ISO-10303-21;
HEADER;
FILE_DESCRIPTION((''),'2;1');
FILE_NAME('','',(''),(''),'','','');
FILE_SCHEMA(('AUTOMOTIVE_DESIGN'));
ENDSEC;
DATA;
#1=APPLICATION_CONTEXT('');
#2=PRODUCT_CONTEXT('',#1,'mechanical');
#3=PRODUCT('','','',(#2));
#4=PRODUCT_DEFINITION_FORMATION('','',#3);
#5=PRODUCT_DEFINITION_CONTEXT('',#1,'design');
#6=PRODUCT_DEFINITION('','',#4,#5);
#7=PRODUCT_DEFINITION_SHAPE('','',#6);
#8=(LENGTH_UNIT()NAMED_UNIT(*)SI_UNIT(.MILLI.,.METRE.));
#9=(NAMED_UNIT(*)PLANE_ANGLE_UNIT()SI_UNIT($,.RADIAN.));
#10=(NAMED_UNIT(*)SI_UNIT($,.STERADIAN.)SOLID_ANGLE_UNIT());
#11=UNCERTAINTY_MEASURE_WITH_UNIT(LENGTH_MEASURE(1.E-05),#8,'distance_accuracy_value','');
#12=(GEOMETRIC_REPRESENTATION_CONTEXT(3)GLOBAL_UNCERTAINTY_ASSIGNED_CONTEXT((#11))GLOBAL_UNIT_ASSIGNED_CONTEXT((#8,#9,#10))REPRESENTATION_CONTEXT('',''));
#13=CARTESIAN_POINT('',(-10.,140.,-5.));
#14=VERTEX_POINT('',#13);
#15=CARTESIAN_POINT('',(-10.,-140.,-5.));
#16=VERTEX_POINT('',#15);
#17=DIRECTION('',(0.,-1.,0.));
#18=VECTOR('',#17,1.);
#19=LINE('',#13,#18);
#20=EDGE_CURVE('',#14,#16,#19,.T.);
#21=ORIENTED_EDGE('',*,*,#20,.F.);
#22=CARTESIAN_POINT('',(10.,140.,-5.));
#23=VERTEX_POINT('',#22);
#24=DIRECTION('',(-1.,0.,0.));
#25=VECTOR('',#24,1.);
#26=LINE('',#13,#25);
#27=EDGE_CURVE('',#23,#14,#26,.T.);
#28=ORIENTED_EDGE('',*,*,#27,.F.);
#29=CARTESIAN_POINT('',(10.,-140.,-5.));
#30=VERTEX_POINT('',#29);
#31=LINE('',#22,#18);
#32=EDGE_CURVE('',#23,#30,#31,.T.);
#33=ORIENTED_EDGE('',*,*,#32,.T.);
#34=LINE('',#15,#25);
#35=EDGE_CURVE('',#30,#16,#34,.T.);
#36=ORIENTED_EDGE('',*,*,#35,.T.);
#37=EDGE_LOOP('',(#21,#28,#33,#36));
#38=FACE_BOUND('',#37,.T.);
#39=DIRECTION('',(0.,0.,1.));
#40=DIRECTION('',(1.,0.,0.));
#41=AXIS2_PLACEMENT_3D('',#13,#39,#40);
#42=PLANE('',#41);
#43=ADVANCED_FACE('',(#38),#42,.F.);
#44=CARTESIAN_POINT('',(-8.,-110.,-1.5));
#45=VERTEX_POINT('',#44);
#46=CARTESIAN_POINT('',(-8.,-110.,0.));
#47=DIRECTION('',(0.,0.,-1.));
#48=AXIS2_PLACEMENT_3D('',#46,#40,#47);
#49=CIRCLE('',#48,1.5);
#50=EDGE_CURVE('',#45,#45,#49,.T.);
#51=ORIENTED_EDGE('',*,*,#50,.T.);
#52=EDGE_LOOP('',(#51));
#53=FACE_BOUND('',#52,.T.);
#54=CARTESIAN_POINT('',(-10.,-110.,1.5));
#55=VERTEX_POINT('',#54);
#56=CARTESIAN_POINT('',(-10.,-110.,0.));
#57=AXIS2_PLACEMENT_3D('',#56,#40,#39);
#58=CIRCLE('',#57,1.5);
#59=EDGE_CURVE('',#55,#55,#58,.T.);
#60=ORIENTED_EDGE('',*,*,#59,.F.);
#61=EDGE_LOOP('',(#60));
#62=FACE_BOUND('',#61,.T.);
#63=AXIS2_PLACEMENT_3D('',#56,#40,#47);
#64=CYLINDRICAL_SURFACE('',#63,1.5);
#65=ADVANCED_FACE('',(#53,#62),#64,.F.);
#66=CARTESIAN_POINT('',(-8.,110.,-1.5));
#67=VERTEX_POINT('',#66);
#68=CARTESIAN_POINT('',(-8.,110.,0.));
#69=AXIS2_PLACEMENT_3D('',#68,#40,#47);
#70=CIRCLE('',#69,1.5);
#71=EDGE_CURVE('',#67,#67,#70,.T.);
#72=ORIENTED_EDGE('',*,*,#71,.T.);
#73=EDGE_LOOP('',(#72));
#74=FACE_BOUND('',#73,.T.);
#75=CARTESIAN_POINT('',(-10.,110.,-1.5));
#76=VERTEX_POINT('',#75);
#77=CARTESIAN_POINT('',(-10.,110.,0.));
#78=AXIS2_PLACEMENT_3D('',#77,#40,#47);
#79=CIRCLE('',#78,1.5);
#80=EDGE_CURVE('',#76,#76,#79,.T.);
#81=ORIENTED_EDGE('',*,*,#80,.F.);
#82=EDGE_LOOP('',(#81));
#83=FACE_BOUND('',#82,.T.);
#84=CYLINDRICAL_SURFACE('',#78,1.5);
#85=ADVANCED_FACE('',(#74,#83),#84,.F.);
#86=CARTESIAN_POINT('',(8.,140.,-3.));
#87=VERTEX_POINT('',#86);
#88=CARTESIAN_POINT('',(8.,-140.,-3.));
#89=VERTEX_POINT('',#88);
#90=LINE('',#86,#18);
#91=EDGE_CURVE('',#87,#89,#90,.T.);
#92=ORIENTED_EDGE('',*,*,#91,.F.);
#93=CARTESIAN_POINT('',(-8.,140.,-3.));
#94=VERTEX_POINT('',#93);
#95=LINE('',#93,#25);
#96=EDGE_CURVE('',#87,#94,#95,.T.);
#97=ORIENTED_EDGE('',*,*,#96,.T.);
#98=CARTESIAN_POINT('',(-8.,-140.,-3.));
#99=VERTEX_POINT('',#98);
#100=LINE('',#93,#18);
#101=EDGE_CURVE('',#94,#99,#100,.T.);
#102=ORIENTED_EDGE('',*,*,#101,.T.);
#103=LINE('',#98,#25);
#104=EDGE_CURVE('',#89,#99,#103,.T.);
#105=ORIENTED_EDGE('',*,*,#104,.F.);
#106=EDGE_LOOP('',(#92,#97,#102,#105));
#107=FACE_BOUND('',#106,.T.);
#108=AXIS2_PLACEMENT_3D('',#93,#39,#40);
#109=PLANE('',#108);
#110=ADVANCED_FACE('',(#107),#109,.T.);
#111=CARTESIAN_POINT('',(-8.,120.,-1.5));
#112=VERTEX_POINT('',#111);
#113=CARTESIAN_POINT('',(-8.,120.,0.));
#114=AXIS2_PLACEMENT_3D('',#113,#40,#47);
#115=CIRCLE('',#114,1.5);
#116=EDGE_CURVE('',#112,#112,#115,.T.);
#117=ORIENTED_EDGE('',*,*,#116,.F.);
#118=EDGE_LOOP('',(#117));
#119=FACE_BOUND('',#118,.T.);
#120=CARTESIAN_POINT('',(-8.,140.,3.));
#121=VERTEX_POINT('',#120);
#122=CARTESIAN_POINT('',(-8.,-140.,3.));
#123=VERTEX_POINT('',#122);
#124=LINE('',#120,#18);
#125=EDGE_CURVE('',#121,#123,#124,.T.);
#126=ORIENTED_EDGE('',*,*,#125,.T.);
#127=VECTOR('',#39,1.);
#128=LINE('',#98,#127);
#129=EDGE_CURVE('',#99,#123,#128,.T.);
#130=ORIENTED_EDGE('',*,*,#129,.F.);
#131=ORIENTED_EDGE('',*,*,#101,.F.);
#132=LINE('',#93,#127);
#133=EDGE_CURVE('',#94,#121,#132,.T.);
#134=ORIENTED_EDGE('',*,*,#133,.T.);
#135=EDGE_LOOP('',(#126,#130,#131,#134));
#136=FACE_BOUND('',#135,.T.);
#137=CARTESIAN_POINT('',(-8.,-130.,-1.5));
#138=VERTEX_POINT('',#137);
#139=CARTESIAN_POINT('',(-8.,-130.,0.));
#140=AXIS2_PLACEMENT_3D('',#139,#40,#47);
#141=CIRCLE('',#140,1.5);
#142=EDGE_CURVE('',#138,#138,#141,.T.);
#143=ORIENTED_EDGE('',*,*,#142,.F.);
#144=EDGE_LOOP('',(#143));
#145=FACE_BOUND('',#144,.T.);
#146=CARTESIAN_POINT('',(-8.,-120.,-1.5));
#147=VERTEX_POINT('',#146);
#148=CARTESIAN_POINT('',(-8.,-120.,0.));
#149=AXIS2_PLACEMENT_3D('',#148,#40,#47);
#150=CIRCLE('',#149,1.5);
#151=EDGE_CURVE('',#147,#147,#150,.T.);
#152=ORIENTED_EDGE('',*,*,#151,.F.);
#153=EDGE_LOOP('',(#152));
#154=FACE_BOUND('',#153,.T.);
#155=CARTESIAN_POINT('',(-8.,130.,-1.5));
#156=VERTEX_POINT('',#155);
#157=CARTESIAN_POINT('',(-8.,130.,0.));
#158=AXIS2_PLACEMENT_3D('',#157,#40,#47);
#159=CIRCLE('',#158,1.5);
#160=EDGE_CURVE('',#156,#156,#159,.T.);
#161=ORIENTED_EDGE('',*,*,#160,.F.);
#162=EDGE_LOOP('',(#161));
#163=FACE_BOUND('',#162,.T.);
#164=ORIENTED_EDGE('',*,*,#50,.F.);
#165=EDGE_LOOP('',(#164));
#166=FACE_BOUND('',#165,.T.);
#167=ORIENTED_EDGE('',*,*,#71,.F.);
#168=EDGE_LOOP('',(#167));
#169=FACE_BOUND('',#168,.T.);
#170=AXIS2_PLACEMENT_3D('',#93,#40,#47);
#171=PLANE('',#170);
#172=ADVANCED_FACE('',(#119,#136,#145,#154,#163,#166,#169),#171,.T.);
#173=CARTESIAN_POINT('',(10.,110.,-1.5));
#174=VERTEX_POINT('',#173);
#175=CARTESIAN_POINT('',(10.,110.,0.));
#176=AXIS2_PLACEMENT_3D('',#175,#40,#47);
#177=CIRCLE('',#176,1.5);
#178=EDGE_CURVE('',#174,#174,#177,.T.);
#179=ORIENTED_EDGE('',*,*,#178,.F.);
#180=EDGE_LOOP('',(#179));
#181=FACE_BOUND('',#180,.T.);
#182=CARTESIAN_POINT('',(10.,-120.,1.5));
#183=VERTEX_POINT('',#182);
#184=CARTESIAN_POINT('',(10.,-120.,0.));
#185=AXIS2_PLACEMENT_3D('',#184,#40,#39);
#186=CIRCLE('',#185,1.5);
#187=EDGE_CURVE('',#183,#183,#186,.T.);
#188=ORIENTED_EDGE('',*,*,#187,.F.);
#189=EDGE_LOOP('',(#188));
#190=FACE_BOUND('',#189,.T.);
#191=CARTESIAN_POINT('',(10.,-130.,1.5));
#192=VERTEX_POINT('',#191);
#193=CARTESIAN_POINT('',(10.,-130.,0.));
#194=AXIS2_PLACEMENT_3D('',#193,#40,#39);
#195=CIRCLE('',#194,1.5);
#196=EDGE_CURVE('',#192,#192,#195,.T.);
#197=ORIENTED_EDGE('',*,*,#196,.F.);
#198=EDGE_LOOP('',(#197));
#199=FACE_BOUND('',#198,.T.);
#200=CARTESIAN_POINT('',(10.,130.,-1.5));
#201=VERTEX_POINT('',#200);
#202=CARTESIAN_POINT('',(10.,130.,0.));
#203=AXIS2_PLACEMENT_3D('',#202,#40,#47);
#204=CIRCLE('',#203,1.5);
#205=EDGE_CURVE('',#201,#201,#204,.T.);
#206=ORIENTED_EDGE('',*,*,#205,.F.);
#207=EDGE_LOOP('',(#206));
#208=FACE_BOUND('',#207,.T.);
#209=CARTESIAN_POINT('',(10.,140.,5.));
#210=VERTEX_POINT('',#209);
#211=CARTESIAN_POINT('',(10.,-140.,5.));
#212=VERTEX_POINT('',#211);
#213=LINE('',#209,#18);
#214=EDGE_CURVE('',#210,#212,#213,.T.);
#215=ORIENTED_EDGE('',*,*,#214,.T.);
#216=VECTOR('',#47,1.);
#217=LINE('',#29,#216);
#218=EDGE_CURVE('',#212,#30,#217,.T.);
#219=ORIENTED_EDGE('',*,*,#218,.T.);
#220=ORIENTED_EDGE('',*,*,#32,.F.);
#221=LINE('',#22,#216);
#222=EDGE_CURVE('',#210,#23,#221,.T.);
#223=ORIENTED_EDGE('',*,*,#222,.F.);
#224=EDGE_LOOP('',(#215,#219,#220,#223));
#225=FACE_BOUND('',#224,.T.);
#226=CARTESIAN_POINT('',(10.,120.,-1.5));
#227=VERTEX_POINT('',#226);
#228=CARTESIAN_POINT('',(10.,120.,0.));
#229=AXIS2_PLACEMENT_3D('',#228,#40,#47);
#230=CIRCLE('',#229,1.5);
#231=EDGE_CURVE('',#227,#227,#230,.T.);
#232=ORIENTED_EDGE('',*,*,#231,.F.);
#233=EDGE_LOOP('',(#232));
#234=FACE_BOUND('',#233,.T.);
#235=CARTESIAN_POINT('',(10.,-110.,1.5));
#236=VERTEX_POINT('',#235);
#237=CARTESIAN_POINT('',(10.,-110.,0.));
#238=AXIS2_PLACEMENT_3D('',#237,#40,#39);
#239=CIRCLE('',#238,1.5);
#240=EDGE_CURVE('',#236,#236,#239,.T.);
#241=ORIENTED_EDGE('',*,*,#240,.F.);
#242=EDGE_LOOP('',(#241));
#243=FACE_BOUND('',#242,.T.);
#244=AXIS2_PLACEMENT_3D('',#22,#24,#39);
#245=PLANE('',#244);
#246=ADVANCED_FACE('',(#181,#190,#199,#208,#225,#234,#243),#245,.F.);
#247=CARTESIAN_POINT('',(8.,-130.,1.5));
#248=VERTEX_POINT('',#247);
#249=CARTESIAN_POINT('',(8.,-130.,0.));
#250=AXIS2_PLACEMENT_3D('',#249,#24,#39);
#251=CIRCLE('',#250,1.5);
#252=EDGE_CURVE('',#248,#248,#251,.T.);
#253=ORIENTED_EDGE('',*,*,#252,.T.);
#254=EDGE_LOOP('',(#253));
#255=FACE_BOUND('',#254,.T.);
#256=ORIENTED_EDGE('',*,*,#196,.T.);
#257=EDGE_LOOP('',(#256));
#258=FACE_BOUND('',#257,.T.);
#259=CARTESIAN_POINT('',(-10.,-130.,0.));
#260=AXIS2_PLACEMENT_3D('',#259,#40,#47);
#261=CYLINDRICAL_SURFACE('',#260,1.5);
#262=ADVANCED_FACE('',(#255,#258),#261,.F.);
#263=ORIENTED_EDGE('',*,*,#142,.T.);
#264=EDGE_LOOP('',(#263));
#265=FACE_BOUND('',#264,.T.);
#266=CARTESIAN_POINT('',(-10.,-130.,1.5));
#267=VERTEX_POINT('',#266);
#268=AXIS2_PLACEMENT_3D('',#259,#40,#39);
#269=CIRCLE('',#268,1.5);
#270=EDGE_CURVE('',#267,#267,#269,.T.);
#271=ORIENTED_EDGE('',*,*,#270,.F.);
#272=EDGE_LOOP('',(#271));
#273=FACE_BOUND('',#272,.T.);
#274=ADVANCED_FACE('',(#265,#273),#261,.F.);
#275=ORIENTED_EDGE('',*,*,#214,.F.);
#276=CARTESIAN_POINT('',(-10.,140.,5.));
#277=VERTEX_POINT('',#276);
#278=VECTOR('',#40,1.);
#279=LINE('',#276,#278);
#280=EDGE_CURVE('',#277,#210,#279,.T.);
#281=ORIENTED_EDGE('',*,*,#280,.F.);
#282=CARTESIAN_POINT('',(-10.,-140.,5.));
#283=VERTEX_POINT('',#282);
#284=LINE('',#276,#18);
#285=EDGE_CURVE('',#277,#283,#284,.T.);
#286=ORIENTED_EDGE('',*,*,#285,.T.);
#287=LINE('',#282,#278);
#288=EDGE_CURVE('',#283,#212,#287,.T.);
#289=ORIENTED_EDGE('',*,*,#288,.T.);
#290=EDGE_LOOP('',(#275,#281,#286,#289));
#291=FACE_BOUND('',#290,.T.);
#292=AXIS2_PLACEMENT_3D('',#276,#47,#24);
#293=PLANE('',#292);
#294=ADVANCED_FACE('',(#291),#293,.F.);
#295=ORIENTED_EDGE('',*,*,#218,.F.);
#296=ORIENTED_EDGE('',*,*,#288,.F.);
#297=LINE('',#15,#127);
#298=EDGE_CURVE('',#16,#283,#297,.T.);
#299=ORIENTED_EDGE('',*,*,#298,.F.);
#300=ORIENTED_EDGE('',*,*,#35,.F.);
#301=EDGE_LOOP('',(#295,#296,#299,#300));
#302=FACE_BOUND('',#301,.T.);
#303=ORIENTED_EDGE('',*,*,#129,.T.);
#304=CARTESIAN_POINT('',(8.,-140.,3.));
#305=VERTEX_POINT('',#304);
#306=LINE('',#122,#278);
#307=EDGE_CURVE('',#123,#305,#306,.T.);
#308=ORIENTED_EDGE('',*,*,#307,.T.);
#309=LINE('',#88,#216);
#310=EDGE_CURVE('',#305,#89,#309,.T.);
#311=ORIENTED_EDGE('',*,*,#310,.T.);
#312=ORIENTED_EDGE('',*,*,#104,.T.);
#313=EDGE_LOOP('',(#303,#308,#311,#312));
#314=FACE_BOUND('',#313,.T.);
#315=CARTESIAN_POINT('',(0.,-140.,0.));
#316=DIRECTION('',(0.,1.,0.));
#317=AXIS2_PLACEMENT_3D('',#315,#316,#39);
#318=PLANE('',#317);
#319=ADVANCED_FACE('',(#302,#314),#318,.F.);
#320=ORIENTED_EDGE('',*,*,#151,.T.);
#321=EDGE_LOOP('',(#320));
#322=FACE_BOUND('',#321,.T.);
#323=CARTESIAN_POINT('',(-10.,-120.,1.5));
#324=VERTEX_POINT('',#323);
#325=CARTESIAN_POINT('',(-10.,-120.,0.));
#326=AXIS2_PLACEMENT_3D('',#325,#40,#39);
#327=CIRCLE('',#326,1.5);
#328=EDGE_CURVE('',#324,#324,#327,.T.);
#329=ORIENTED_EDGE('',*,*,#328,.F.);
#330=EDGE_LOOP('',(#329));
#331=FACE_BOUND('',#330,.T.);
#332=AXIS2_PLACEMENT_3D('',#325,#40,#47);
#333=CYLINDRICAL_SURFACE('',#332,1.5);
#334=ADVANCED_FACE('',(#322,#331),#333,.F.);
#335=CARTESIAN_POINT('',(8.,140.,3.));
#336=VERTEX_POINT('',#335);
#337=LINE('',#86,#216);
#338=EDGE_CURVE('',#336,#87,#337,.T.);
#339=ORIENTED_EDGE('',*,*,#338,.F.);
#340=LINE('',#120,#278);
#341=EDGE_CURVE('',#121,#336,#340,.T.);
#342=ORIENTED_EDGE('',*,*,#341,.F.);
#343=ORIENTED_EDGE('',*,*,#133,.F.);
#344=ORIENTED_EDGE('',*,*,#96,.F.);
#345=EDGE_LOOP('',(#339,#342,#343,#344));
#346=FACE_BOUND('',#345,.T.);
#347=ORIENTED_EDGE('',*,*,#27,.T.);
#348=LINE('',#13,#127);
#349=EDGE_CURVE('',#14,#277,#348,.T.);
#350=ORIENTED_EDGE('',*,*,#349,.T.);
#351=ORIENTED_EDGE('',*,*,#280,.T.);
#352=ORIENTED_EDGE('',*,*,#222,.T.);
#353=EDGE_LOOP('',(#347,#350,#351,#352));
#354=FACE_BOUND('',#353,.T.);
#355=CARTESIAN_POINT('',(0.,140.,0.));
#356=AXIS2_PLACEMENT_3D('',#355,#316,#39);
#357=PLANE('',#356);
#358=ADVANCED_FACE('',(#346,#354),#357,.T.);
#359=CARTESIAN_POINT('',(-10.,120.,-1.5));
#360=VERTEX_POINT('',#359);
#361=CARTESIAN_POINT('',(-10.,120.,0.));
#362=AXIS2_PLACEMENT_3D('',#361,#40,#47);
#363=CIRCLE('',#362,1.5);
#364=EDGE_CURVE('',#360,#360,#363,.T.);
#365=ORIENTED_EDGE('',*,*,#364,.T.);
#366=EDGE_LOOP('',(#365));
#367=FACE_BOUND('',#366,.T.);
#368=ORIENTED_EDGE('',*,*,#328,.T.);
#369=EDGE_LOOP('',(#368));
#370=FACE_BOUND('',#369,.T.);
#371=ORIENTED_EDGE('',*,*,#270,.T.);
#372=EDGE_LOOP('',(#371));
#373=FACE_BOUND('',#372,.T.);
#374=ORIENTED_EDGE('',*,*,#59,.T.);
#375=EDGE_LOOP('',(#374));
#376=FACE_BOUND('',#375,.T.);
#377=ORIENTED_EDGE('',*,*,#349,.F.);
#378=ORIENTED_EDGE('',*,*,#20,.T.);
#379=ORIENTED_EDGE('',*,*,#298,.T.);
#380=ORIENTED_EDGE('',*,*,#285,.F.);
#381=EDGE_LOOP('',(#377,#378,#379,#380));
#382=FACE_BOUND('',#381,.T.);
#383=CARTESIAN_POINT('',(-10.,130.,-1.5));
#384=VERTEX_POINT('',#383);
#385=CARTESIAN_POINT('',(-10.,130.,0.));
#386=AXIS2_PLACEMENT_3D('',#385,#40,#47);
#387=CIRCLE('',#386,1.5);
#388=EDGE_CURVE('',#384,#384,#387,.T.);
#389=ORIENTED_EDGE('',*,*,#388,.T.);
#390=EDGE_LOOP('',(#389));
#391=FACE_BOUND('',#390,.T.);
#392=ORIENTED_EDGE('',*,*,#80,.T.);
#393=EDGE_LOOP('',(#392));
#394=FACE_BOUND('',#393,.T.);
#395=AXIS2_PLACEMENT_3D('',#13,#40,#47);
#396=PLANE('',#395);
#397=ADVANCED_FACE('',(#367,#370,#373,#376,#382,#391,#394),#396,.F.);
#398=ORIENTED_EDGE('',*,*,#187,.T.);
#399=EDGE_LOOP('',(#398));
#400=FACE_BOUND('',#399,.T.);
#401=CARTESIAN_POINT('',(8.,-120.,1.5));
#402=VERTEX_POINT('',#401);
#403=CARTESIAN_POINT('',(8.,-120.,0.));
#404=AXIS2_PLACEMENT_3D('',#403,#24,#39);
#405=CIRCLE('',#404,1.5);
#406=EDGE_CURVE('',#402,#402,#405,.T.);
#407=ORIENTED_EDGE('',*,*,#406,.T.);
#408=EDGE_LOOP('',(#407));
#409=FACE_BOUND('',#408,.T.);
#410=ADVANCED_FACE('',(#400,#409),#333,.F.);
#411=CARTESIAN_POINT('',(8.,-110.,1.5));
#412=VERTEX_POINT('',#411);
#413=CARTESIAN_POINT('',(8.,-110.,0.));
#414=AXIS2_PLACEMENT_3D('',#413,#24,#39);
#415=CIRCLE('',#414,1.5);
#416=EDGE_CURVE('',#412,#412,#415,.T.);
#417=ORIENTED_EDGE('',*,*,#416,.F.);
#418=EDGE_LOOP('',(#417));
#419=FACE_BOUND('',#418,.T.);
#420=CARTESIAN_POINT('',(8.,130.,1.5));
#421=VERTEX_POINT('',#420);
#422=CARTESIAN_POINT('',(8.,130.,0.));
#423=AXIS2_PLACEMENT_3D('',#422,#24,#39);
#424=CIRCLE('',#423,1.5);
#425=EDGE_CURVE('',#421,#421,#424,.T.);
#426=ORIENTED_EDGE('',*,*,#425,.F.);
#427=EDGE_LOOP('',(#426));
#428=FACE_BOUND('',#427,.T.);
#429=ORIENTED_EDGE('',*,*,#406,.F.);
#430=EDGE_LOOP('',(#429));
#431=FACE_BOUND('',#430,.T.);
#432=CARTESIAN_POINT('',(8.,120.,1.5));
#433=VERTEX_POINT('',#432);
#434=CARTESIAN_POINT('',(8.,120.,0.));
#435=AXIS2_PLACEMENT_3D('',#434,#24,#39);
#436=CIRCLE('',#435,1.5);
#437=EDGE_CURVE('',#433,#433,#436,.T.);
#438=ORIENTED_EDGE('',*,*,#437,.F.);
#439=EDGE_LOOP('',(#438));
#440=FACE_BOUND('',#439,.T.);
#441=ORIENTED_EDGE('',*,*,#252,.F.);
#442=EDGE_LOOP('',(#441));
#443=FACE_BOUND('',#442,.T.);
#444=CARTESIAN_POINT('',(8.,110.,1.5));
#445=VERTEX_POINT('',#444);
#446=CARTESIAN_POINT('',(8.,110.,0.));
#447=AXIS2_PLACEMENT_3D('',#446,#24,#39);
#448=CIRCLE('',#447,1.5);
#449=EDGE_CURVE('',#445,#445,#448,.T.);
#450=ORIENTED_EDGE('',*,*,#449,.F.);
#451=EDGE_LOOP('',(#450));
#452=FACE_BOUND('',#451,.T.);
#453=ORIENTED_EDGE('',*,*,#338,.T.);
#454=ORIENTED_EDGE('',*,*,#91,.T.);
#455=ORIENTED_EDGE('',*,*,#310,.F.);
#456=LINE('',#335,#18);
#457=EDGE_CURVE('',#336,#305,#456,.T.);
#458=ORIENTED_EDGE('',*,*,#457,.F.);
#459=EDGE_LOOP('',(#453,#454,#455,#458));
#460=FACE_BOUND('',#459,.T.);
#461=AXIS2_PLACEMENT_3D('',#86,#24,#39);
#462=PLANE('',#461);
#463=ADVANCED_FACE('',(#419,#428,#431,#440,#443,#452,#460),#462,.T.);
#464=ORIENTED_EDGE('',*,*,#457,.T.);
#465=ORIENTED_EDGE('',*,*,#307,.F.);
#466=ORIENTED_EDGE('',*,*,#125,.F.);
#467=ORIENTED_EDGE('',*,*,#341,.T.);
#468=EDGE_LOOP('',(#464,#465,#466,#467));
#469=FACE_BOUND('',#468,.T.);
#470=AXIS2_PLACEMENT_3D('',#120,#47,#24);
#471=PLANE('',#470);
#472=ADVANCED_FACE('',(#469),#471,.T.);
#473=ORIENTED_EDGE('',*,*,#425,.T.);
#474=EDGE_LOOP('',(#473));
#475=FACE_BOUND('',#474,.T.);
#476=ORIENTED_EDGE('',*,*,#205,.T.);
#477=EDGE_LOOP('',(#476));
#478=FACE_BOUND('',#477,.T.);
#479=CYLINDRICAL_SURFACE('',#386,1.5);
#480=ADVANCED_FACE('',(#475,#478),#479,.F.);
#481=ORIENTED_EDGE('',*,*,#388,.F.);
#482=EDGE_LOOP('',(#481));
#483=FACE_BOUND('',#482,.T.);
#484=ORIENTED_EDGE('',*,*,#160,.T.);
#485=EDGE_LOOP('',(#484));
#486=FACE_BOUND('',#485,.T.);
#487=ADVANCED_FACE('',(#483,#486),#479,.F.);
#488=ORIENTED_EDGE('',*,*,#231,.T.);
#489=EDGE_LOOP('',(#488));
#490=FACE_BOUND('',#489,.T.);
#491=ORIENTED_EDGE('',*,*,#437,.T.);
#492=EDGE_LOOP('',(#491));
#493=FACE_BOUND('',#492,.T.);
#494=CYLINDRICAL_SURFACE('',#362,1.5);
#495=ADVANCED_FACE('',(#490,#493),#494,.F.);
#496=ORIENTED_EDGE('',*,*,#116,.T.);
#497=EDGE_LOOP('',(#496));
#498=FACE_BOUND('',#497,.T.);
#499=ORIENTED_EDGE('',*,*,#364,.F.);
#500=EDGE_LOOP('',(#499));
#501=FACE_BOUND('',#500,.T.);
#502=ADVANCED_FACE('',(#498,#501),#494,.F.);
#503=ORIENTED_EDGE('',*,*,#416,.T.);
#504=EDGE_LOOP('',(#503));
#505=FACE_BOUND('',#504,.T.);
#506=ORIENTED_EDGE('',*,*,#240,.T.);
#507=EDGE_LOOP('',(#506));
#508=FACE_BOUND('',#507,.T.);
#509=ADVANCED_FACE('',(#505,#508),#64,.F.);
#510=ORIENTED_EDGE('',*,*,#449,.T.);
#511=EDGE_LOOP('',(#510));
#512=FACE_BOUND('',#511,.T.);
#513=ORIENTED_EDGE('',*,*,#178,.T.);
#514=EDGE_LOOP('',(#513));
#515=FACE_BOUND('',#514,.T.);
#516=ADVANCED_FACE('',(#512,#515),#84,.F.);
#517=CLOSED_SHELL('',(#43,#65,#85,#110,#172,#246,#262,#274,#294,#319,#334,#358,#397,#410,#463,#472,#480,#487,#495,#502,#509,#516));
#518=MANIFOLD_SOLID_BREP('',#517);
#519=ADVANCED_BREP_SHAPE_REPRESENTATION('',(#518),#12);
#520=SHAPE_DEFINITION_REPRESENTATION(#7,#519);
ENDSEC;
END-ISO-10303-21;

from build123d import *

# Parameters (mm, degrees)
SKETCH_1_W          = 20
SKETCH_1_H          = 10
SKETCH_1_W_2        = 16
SKETCH_1_H_2        = 6
EXTRUDE_1_DEPTH     = 140
SKETCH_3_R          = 1.5
CUT_EXTRUDE_1_DEPTH = 142.509716981


with BuildPart() as part:
    # 草图1 → 凸台-拉伸1 (new, symmetric)
    with BuildSketch(Plane(origin=(0, 0, 0), x_dir=(1, 0, 0), z_dir=(0, 1, 0))):
        Rectangle(SKETCH_1_W, SKETCH_1_H)
        Rectangle(SKETCH_1_W_2, SKETCH_1_H_2, mode=Mode.SUBTRACT)
    extrude(amount=EXTRUDE_1_DEPTH, both=True)

    # 草图3 → 切除-拉伸1 (cut, through all)
    with BuildSketch(Plane(origin=(10, 0, 0), x_dir=(0, 0, -1), z_dir=(1, 0, 0))):
        with Locations((0, 130)):
            Circle(SKETCH_3_R)
        with Locations((0, 120)):
            Circle(SKETCH_3_R)
        with Locations((0, 110)):
            Circle(SKETCH_3_R)
        with Locations((0, -110)):
            Circle(SKETCH_3_R)
        with Locations((0, -120)):
            Circle(SKETCH_3_R)
        with Locations((0, -130)):
            Circle(SKETCH_3_R)
    extrude(amount=-CUT_EXTRUDE_1_DEPTH, mode=Mode.SUBTRACT)


solid = part.part
